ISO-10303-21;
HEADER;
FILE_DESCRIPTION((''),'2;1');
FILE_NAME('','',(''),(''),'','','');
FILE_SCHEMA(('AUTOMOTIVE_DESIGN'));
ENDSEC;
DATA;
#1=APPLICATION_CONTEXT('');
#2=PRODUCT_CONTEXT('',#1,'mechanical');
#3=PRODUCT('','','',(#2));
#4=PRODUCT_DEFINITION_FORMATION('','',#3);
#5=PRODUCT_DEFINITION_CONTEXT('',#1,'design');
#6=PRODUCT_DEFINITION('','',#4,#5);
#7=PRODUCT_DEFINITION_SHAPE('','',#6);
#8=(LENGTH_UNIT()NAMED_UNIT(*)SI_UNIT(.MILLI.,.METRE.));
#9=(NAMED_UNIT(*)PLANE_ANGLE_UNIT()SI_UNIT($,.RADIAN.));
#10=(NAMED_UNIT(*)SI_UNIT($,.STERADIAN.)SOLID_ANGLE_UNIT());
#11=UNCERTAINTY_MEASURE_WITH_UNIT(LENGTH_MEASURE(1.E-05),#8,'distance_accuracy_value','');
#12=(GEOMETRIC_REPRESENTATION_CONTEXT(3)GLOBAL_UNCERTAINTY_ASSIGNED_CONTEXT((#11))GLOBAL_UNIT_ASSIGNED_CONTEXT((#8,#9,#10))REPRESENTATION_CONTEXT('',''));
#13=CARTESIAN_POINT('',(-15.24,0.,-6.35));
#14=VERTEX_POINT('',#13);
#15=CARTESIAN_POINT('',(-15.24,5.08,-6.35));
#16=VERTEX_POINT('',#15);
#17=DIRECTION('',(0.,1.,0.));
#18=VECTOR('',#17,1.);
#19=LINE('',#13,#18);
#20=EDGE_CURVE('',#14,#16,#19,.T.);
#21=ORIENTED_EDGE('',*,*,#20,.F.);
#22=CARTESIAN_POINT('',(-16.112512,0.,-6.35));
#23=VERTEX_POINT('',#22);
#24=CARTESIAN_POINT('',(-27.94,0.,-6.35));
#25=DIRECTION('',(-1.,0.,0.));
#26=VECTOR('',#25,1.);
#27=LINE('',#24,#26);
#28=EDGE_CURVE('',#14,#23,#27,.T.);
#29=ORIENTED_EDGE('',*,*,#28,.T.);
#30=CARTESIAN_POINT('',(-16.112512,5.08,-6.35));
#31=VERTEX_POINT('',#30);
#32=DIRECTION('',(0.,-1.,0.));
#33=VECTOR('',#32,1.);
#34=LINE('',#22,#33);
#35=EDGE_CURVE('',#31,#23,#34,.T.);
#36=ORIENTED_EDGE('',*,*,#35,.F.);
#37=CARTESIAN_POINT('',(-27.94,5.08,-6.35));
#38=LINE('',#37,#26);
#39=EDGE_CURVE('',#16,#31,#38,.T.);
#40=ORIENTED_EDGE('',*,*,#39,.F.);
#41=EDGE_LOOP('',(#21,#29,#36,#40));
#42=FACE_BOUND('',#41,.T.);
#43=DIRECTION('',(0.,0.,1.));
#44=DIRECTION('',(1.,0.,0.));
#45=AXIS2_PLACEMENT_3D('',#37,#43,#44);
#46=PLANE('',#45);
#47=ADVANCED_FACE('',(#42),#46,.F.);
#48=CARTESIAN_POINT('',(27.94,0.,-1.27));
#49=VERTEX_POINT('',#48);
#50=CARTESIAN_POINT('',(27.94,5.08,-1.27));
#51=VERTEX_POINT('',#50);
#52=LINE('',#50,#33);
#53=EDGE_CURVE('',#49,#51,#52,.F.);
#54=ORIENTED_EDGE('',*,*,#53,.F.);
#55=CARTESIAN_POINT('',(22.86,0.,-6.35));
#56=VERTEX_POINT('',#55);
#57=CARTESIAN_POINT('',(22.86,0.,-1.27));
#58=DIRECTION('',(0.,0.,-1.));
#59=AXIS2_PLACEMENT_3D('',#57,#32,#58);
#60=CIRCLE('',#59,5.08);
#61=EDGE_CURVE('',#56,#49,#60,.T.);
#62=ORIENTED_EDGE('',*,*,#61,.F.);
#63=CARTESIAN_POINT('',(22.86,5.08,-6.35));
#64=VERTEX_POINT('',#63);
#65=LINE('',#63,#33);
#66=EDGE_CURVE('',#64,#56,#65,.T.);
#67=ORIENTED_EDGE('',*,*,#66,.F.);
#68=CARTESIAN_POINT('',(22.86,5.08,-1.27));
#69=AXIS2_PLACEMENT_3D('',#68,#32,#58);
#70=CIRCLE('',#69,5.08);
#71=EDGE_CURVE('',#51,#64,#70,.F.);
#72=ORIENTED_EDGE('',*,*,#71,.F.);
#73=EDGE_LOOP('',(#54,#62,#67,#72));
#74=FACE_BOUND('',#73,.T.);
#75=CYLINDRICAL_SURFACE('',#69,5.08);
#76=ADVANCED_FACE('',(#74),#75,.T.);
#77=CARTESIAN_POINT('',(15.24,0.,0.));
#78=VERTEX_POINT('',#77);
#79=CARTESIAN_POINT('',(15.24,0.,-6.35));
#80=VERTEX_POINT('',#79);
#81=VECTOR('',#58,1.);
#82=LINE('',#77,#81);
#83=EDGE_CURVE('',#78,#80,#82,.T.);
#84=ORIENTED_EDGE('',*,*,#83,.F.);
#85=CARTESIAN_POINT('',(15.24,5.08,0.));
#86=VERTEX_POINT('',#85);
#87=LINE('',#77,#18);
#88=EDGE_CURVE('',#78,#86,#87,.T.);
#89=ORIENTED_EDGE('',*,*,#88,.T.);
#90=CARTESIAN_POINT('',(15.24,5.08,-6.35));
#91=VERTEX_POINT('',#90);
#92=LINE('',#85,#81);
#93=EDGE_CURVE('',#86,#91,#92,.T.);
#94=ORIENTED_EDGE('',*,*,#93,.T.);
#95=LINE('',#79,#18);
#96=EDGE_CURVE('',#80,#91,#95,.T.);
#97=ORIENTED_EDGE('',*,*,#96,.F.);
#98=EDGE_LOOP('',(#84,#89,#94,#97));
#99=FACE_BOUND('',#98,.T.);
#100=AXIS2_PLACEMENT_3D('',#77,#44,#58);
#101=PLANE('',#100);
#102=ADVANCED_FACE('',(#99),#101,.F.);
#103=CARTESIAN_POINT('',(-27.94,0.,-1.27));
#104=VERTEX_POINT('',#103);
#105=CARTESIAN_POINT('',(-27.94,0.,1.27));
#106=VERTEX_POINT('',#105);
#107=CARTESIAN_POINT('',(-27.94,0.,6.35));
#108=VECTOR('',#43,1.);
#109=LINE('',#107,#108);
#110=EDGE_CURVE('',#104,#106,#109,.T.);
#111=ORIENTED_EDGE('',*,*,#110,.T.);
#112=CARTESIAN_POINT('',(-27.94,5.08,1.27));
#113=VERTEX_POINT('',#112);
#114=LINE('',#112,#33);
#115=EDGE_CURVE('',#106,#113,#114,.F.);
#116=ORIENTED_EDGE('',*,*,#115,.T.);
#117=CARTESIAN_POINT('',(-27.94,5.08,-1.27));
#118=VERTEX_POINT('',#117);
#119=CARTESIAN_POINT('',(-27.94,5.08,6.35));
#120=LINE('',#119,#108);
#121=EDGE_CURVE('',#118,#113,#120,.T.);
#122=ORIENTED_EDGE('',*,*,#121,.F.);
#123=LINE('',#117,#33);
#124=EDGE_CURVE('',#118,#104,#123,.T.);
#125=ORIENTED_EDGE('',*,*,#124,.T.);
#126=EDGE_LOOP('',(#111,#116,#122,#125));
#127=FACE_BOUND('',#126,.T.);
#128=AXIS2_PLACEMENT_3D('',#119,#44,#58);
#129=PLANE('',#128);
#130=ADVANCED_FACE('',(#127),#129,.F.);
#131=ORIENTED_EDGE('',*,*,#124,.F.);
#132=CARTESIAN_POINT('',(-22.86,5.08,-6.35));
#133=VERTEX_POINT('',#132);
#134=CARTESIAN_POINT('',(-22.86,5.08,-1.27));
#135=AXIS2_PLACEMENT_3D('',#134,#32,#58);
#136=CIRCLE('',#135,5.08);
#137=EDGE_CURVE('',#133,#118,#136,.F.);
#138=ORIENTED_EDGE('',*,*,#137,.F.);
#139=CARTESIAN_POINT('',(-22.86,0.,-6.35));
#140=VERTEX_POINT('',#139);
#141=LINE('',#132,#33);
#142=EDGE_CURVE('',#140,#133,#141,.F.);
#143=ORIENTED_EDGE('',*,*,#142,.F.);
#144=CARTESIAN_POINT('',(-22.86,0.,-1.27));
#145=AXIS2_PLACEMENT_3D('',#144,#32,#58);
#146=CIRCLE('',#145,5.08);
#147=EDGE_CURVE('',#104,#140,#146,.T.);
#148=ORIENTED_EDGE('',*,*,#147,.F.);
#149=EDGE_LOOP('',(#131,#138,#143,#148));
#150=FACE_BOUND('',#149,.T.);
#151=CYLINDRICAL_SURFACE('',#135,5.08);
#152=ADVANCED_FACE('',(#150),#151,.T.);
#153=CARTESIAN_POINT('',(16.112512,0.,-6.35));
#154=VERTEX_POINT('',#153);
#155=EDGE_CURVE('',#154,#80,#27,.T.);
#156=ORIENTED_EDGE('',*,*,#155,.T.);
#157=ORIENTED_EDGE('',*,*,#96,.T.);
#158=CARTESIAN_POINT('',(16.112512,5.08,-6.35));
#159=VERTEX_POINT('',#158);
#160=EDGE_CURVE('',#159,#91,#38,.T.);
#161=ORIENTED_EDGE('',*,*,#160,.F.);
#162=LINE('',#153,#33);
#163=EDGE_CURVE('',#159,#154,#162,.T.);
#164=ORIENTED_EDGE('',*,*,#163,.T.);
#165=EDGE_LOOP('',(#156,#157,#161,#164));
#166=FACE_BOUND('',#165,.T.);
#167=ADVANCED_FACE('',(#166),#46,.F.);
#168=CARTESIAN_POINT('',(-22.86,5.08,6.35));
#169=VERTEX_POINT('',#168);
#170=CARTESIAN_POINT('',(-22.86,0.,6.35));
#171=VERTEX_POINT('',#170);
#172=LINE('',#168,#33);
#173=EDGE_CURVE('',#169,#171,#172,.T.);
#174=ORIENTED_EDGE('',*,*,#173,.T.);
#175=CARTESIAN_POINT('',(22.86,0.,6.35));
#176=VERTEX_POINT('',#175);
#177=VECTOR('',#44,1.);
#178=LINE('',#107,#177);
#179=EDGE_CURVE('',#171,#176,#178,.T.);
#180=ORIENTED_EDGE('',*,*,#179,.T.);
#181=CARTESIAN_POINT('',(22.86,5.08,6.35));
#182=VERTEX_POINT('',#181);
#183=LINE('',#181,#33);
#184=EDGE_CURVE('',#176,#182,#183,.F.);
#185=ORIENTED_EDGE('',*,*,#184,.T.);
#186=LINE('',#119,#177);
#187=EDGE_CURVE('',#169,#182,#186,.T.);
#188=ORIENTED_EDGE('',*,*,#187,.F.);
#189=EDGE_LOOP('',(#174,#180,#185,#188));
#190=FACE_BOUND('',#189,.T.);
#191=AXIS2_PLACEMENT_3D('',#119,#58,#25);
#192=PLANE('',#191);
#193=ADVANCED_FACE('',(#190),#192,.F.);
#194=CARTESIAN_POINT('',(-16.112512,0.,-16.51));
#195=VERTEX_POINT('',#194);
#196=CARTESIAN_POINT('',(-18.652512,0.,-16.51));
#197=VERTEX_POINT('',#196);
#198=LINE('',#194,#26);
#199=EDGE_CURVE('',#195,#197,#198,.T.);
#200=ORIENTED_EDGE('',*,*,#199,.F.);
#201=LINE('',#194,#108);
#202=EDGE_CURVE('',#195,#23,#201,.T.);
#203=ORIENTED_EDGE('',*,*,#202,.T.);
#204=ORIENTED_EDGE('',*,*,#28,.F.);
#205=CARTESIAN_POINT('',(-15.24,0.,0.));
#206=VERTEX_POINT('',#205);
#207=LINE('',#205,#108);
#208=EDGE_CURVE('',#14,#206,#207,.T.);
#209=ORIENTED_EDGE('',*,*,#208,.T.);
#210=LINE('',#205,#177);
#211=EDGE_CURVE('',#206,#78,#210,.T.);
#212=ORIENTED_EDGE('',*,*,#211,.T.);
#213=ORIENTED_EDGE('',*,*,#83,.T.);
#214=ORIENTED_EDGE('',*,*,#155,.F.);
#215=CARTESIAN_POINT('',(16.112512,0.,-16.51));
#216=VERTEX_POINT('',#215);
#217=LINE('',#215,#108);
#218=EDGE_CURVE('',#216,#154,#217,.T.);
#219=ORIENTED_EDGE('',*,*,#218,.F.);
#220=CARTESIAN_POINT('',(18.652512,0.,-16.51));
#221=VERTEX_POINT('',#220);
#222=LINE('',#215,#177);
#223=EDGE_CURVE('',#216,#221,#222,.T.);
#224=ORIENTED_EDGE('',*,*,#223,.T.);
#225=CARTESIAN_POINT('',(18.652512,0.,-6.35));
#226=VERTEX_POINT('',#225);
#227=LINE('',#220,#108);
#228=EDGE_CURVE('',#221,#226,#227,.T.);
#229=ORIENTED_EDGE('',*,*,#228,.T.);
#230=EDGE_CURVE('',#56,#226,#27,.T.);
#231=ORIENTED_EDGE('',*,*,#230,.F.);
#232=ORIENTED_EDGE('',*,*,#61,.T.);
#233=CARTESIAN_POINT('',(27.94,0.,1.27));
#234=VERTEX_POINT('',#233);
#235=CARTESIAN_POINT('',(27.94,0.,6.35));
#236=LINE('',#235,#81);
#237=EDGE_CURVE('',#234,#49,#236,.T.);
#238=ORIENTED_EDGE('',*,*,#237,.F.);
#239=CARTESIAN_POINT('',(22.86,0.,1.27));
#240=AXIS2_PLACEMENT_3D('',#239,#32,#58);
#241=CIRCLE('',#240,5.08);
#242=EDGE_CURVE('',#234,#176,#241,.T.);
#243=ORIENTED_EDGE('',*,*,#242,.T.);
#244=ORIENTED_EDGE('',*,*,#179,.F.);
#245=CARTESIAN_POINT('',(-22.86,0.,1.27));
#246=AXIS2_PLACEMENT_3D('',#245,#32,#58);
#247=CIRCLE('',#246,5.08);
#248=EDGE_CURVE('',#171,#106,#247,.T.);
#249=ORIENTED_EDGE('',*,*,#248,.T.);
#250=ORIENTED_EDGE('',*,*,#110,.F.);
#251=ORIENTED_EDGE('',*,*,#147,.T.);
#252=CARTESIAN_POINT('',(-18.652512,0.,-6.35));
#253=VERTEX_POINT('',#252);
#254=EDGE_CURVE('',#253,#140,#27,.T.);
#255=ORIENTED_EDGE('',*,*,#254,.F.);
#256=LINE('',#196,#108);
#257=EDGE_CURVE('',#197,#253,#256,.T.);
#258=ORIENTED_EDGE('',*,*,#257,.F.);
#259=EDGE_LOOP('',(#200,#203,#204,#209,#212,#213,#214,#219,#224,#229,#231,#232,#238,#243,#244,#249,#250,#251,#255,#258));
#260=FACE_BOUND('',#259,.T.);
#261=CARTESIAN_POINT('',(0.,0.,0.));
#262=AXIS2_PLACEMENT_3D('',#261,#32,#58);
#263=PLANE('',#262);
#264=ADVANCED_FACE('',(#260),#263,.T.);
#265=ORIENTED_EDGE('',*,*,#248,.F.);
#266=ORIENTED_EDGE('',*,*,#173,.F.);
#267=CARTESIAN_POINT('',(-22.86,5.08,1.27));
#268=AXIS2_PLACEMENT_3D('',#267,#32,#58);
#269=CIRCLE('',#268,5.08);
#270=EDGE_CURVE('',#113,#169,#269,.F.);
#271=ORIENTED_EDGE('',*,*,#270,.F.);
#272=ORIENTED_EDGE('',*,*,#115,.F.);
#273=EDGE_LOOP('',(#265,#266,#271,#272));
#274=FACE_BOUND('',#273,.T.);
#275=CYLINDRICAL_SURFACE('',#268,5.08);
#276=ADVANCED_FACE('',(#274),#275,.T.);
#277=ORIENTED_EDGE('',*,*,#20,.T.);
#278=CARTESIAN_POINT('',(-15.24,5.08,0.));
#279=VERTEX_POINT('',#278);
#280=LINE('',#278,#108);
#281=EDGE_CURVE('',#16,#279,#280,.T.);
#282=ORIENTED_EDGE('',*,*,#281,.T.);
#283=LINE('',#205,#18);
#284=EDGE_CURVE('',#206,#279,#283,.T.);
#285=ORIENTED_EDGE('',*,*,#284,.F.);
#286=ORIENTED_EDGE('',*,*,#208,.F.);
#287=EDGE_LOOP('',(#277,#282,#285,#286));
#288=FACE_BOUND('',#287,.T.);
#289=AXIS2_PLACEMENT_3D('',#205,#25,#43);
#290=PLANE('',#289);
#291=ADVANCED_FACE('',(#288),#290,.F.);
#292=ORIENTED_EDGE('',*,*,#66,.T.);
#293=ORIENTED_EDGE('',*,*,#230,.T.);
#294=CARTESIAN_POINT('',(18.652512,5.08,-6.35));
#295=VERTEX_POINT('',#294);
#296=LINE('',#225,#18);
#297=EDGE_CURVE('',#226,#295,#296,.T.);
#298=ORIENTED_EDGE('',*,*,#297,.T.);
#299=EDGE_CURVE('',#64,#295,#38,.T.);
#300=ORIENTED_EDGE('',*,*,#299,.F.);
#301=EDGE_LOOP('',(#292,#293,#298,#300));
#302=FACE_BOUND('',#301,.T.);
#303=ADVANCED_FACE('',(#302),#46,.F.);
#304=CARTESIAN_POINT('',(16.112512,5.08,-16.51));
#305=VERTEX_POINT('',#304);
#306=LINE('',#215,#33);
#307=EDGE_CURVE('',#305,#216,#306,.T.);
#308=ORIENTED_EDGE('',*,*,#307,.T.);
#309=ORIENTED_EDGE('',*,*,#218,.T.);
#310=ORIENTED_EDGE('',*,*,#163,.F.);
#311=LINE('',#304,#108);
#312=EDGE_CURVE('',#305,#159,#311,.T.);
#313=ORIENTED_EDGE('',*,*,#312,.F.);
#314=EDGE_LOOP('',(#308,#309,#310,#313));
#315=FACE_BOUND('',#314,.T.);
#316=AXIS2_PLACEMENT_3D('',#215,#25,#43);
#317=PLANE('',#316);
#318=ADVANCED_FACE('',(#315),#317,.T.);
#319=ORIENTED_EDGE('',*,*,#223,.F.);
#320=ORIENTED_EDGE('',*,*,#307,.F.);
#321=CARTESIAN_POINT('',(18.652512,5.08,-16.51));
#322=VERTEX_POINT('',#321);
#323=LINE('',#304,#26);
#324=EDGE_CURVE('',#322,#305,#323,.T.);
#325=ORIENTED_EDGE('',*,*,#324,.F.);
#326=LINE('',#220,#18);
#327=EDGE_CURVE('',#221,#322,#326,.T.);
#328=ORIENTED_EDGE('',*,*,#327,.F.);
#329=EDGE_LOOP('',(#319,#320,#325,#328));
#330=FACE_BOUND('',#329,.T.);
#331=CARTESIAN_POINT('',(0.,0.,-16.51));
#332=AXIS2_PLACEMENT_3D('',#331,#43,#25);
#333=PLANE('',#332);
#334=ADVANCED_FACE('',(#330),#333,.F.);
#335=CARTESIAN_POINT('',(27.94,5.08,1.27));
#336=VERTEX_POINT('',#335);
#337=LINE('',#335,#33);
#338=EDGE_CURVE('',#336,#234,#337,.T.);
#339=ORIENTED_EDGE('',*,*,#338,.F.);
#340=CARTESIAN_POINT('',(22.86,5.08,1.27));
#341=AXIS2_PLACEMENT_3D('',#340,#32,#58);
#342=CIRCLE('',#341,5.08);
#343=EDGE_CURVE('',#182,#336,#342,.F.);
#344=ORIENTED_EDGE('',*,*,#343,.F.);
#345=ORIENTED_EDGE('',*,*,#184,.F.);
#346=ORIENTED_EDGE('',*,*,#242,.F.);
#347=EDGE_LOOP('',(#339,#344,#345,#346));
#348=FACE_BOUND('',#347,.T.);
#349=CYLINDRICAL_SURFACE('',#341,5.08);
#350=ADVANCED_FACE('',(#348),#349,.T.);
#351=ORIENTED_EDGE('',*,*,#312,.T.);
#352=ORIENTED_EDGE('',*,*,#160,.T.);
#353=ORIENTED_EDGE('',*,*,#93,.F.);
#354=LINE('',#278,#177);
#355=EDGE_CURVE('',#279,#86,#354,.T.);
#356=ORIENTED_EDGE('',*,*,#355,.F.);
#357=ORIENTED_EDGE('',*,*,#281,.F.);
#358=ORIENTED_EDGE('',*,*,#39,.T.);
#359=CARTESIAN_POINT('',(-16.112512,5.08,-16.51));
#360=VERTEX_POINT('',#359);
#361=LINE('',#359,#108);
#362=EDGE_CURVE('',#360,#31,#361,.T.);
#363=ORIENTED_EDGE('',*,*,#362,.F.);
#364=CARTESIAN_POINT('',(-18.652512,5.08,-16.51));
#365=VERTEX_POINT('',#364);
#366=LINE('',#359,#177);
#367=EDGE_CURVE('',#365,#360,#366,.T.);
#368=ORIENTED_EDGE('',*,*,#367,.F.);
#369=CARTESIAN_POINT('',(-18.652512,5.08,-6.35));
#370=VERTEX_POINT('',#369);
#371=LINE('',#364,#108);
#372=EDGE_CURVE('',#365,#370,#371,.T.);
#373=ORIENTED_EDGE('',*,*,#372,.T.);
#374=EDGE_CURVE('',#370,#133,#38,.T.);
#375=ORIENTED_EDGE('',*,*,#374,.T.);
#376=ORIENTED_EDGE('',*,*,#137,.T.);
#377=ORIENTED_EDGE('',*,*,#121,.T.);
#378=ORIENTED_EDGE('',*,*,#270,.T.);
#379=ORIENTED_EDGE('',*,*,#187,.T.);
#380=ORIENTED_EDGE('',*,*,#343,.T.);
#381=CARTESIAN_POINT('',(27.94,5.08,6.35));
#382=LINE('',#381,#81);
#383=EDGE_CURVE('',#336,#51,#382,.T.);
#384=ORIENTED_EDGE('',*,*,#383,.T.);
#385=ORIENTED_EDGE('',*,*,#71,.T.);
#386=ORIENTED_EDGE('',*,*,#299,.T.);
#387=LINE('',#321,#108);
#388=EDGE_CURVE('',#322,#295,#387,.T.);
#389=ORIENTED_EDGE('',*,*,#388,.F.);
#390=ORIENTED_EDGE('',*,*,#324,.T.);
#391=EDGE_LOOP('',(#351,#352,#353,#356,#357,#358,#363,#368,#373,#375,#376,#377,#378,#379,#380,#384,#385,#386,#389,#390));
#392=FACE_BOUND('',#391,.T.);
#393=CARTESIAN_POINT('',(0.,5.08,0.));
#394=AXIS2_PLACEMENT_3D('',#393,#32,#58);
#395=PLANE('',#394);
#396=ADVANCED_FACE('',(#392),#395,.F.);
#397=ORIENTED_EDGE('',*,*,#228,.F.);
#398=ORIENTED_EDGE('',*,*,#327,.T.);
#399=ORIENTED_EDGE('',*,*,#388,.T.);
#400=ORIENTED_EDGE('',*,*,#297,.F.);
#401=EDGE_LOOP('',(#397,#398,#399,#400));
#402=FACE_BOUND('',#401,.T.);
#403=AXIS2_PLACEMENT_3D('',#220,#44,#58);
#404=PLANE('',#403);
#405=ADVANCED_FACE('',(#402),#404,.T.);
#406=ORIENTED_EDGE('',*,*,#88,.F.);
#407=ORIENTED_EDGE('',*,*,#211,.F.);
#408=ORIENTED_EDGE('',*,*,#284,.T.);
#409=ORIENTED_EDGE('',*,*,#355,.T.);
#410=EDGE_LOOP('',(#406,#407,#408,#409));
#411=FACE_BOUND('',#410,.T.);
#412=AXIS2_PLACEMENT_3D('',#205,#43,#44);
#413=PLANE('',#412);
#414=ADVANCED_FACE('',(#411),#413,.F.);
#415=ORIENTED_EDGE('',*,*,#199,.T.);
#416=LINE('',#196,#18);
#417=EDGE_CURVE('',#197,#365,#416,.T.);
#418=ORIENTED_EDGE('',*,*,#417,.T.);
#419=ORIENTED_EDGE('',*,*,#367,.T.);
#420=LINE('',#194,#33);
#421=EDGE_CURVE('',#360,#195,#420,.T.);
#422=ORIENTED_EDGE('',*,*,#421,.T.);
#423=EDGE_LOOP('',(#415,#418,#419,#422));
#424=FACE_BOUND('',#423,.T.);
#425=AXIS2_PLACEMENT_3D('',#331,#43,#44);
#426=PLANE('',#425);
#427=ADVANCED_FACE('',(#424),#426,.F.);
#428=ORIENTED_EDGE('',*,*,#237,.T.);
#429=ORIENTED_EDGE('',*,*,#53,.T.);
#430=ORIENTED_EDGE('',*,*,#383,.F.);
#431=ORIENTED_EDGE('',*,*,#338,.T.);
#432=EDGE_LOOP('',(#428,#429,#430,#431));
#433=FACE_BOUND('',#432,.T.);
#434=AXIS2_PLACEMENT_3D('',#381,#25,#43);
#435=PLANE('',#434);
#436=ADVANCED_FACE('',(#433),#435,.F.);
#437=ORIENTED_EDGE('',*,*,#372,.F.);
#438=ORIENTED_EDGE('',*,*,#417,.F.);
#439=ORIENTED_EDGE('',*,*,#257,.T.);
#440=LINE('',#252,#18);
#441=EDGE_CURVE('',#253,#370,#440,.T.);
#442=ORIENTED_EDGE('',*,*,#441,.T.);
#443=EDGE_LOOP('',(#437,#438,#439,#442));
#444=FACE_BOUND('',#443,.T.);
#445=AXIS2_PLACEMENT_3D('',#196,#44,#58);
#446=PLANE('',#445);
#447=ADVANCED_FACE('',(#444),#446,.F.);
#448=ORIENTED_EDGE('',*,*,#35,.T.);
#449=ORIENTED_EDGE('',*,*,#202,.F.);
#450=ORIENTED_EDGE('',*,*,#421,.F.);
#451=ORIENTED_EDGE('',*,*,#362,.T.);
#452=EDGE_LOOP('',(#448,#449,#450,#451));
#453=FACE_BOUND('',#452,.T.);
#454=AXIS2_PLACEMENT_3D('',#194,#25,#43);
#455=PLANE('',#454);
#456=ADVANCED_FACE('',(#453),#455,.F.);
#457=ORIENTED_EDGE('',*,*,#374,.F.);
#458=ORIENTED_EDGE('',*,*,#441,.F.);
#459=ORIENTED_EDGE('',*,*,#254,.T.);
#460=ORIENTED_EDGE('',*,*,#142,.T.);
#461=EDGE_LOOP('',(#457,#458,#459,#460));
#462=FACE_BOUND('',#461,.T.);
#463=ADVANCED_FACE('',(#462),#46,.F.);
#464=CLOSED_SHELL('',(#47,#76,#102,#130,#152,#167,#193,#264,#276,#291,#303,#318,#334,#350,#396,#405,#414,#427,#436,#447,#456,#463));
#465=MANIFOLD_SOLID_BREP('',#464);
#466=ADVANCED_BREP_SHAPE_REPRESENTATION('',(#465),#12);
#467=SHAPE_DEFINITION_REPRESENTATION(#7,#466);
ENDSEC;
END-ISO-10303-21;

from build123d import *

# Parameters (mm, degrees)
SKETCH1_W           = 55.88
SKETCH1_H           = 12.7
BOSS_EXTRUDE1_DEPTH = 5.08
SKETCH2_W           = 30.48
SKETCH2_H           = 6.35
CUT_EXTRUDE1_DEPTH  = 5.08
FILLET1_R           = 5.08
SKETCH3_W           = 2.54
SKETCH3_H           = 5.08
BOSS_EXTRUDE2_DEPTH = 10.16


with BuildPart() as part:
    # Sketch1 → Boss-Extrude1 (new body)
    with BuildSketch(Plane(origin=(0, 0, 0), x_dir=(1, 0, 0), z_dir=(0, 1, 0))):
        Rectangle(SKETCH1_W, SKETCH1_H)
    extrude(amount=BOSS_EXTRUDE1_DEPTH)

    # Sketch2 → Cut-Extrude1 (cut)
    with BuildSketch(Plane(origin=(0, 5.08, 0), x_dir=(1, 0, 0), z_dir=(0, 1, 0))):
        with Locations((0, 3.175)):
            Rectangle(SKETCH2_W, SKETCH2_H)
    extrude(amount=-CUT_EXTRUDE1_DEPTH, mode=Mode.SUBTRACT)

    # Fillet1
    fillet1_edges = [part.edges().sort_by_distance(p)[0] for p in [
        (27.94, 2.54, 6.35),
        (-27.94, 2.54, 6.35),
        (-27.94, 2.54, -6.35),
        (27.94, 2.54, -6.35),
    ]]
    fillet(fillet1_edges, radius=FILLET1_R)

    # Sketch3 → Boss-Extrude2 (add)
    with BuildSketch(Plane(origin=(0, 0, -6.35), x_dir=(-1, 0, 0), z_dir=(0, 0, -1))):
        with Locations((17.382512253, 2.54)):
            Rectangle(SKETCH3_W, SKETCH3_H)
    boss_extrude2 = extrude(amount=BOSS_EXTRUDE2_DEPTH)

    # Mirror1: Boss-Extrude2 across plane
    add(boss_extrude2.mirror(Plane(origin=(0, 0, 0), x_dir=(0, 0, 1), z_dir=(1, 0, 0))))


solid = part.part
